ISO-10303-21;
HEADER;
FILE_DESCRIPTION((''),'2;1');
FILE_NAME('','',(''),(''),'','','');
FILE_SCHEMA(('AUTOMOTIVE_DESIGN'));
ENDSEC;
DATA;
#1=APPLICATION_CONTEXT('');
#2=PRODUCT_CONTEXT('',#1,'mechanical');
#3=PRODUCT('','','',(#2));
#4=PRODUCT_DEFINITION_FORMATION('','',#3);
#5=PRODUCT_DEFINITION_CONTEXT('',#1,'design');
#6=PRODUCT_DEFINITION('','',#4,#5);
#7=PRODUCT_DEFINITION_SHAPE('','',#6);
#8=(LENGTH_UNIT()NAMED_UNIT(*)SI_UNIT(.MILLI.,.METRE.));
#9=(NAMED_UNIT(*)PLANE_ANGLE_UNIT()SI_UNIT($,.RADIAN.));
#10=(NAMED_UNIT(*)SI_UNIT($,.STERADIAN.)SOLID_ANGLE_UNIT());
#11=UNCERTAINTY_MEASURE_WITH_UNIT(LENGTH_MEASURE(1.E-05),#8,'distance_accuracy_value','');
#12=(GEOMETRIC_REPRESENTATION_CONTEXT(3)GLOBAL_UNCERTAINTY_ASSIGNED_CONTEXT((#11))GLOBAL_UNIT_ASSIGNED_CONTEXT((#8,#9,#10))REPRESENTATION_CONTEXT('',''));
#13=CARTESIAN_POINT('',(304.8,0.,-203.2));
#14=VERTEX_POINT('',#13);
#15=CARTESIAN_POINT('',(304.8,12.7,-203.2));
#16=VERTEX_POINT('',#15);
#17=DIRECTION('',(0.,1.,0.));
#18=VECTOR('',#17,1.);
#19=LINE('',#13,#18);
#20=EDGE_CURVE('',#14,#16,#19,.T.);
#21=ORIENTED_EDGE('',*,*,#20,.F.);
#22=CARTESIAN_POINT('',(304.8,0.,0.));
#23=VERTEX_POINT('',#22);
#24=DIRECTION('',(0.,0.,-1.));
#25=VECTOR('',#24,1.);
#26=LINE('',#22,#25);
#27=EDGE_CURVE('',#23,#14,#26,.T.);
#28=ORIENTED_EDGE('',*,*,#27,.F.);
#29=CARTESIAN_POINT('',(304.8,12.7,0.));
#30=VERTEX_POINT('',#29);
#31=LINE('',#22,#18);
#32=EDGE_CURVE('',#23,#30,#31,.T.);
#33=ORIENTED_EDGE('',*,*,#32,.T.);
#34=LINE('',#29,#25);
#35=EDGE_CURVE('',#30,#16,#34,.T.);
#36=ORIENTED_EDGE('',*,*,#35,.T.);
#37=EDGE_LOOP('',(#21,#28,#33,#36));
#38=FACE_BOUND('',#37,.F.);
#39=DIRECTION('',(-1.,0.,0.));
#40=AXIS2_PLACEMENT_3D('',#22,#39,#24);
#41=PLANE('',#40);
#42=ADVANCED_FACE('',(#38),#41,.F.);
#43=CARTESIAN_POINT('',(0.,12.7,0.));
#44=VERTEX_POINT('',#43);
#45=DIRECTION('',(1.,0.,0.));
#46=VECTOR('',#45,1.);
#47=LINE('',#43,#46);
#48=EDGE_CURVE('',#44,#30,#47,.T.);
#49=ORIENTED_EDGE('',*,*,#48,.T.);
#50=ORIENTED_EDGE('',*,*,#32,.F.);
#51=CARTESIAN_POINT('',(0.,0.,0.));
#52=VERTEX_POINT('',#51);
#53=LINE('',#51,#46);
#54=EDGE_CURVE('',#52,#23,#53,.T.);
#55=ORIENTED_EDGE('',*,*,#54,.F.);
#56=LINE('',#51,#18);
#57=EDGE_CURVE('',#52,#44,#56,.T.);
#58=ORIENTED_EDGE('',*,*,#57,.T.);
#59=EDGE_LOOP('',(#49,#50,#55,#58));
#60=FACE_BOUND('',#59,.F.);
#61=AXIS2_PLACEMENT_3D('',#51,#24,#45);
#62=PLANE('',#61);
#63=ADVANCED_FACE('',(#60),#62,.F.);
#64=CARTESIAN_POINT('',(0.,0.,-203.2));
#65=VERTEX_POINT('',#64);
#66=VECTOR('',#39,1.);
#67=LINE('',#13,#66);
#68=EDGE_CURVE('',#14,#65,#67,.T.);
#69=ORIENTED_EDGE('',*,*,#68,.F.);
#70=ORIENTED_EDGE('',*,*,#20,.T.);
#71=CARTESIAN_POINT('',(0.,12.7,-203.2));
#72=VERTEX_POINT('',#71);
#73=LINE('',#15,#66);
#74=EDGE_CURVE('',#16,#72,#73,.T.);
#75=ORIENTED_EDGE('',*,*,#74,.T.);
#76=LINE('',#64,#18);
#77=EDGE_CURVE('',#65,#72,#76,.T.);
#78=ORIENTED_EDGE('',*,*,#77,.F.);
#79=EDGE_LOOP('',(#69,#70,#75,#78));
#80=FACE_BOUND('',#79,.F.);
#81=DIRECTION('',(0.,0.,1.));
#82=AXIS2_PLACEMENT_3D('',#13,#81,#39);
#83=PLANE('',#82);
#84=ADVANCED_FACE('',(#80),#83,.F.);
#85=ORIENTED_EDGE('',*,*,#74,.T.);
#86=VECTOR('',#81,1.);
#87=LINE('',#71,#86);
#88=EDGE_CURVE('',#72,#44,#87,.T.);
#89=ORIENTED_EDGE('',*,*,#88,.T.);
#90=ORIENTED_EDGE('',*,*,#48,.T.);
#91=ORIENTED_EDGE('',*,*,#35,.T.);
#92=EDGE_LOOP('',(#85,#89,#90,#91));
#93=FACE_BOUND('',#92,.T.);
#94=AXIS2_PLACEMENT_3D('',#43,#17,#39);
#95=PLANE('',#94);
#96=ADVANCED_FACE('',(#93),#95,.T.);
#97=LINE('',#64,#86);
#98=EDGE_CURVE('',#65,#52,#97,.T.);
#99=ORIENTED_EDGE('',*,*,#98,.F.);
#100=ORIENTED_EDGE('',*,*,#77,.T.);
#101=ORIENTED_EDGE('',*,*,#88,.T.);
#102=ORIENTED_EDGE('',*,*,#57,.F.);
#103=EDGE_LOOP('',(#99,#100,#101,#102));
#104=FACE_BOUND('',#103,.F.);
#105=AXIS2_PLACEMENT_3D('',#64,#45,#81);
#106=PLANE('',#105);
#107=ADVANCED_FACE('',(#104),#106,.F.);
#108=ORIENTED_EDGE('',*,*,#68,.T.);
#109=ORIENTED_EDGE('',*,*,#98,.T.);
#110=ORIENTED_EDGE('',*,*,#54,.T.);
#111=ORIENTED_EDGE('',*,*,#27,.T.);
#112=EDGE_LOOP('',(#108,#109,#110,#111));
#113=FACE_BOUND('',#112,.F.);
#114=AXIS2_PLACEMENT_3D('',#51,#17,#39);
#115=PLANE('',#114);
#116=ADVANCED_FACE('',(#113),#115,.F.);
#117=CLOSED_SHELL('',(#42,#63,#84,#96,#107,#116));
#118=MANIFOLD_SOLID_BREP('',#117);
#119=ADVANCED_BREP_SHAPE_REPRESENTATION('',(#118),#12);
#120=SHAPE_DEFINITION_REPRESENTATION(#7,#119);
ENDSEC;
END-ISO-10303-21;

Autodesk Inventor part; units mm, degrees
ref_plane "YZ Plane" through (0, 0, 0) normal (1, 0, 0) x (0, 1, 0)
ref_plane "XZ Plane" through (0, 0, 0) normal (0, 1, 0) x (-1, 0, 0)
ref_plane "XY Plane" through (0, 0, 0) normal (0, 0, 1) x (1, 0, 0)
sketch "Sketch1" plane through (0, 0, 0) normal (0, 1, 0) x (-1, 0, 0)
  line L0 (0, 0) -> (-304.8, 0)
  line L1 (-304.8, 0) -> (-304.8, -203.2)
  line L2 (-304.8, -203.2) -> (0, -203.2)
  line L3 (0, -203.2) -> (0, 0)
  dimension "d0" = 203.2
  dimension "d1" = 304.8
extrude "Extrusion1" add sketch "Sketch1" along normal blind 12.7
properties material "MDF Medium Density Fiberboard"
